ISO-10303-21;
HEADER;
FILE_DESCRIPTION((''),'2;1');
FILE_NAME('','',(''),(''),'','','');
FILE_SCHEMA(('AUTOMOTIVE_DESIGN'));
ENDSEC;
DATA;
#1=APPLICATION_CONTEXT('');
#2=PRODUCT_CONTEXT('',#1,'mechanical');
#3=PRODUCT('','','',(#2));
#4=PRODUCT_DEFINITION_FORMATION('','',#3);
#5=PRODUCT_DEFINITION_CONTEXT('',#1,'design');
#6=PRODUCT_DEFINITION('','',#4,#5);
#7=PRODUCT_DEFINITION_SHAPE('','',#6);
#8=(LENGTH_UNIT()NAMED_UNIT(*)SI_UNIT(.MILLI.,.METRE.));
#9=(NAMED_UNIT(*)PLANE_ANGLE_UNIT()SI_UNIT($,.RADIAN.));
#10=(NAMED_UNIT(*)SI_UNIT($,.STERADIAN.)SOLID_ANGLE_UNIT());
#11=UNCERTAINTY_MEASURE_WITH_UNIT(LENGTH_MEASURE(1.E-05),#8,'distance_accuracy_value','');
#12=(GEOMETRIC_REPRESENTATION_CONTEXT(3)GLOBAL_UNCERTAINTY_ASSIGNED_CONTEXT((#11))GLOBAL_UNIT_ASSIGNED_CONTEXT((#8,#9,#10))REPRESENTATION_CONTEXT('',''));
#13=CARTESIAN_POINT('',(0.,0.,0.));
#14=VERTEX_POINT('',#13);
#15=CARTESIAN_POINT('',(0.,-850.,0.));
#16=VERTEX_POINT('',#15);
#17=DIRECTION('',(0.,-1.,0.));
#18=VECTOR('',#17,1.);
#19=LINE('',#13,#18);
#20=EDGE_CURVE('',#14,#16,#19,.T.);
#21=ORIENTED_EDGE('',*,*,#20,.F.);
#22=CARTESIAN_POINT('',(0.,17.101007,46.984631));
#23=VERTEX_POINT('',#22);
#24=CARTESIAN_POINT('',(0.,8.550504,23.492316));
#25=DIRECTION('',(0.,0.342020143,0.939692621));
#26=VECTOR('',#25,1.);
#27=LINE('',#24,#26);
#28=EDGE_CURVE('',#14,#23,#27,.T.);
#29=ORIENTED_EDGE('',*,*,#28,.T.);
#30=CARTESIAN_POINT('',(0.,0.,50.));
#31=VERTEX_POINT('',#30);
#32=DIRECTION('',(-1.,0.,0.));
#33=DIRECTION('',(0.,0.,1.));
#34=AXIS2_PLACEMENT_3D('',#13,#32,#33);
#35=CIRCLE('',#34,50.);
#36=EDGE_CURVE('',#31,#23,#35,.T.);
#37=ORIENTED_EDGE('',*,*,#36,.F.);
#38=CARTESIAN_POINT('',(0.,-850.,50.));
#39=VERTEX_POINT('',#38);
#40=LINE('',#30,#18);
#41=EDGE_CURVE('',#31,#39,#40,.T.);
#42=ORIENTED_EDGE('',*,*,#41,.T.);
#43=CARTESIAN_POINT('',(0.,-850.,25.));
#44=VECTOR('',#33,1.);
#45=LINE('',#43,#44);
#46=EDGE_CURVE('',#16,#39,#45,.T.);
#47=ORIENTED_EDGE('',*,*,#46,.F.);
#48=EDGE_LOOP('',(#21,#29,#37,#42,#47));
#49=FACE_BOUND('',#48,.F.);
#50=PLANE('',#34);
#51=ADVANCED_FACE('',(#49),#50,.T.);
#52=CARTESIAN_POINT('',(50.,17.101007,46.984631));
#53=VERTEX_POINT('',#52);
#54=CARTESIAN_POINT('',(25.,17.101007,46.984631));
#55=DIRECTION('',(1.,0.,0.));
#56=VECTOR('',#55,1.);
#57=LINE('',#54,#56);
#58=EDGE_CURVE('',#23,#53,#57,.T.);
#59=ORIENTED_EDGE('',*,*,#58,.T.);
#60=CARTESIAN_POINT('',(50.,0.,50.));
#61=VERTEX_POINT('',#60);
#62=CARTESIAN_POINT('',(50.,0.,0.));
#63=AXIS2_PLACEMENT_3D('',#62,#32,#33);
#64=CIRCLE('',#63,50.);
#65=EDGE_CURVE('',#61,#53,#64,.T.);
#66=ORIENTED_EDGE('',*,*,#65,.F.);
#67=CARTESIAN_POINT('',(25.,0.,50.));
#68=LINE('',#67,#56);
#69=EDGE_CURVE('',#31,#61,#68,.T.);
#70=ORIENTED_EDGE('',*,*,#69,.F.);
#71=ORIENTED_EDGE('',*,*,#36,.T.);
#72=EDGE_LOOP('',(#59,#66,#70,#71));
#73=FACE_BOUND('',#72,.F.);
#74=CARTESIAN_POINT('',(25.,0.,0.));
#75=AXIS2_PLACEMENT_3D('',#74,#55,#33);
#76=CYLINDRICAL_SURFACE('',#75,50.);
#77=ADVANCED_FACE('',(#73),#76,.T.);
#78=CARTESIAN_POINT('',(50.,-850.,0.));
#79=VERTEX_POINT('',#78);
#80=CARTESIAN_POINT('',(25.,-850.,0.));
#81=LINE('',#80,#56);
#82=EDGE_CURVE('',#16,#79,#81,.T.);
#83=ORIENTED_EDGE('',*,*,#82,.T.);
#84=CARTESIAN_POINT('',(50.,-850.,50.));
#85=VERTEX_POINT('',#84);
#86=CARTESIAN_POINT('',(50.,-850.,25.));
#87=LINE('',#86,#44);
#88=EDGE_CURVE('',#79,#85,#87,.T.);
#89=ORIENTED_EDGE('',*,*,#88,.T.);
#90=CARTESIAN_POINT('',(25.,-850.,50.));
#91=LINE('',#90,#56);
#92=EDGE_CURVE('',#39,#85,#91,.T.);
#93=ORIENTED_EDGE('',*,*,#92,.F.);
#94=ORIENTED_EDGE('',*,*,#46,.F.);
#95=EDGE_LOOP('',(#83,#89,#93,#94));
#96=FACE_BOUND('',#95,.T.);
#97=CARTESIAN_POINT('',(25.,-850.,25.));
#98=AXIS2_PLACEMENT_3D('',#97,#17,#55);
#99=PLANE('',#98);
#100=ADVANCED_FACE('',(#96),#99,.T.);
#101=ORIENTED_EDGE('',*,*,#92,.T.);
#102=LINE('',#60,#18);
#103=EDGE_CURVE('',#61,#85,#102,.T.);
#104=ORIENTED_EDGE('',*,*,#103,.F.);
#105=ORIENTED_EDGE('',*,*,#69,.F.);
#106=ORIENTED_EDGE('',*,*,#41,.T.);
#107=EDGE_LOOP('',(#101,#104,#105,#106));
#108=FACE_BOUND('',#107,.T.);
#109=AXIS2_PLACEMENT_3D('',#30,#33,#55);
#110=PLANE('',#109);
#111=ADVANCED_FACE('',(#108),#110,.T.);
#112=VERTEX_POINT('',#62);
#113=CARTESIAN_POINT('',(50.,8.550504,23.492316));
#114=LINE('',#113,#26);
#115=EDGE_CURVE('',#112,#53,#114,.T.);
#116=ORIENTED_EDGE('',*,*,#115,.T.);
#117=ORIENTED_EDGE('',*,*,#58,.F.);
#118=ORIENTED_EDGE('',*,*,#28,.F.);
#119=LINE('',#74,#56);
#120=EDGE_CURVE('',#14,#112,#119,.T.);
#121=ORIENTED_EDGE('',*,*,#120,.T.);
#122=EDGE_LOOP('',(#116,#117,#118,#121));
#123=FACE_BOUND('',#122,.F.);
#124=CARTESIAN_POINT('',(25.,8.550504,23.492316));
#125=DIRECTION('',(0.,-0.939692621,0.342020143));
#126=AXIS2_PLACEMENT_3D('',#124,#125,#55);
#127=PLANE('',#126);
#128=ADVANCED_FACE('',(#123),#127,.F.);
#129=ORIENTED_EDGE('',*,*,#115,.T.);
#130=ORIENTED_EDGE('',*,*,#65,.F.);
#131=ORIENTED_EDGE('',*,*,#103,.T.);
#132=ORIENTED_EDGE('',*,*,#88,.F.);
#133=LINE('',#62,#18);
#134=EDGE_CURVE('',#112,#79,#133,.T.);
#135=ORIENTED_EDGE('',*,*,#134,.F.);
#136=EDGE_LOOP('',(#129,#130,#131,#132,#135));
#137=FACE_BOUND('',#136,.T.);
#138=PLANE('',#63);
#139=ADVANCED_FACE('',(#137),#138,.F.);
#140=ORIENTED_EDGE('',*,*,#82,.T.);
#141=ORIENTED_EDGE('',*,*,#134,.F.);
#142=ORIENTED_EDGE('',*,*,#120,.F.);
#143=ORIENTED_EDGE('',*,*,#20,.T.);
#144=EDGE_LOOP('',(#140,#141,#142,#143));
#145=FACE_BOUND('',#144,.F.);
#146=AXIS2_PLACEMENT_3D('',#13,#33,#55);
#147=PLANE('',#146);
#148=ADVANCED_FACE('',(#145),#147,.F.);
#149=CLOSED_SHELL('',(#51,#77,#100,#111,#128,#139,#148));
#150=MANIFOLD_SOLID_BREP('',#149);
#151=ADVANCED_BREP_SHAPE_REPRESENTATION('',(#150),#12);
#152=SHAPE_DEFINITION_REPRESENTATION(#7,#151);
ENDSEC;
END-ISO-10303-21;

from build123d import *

# Parameters (mm, degrees)
F0_W     = 50
F0_H     = 50
F1_DEPTH = 850
F2_W     = 50
F2_H     = 50
F3_ANGLE = -20


with BuildPart() as f1:
    # F0 (on Front) → F1 (new body)
    with BuildSketch(Plane.XZ):
        with Locations((25, 25)):
            Rectangle(F0_W, F0_H)
    extrude(amount=F1_DEPTH)

    # F2 (on Front) → F3 (revolve)
    with BuildSketch(Plane.XZ):
        with Locations((25, 25)):
            Rectangle(F2_W, F2_H)
    revolve(axis=Axis((25, 0, 0), (1, 0, 0)), revolution_arc=F3_ANGLE)


solid = f1.part
